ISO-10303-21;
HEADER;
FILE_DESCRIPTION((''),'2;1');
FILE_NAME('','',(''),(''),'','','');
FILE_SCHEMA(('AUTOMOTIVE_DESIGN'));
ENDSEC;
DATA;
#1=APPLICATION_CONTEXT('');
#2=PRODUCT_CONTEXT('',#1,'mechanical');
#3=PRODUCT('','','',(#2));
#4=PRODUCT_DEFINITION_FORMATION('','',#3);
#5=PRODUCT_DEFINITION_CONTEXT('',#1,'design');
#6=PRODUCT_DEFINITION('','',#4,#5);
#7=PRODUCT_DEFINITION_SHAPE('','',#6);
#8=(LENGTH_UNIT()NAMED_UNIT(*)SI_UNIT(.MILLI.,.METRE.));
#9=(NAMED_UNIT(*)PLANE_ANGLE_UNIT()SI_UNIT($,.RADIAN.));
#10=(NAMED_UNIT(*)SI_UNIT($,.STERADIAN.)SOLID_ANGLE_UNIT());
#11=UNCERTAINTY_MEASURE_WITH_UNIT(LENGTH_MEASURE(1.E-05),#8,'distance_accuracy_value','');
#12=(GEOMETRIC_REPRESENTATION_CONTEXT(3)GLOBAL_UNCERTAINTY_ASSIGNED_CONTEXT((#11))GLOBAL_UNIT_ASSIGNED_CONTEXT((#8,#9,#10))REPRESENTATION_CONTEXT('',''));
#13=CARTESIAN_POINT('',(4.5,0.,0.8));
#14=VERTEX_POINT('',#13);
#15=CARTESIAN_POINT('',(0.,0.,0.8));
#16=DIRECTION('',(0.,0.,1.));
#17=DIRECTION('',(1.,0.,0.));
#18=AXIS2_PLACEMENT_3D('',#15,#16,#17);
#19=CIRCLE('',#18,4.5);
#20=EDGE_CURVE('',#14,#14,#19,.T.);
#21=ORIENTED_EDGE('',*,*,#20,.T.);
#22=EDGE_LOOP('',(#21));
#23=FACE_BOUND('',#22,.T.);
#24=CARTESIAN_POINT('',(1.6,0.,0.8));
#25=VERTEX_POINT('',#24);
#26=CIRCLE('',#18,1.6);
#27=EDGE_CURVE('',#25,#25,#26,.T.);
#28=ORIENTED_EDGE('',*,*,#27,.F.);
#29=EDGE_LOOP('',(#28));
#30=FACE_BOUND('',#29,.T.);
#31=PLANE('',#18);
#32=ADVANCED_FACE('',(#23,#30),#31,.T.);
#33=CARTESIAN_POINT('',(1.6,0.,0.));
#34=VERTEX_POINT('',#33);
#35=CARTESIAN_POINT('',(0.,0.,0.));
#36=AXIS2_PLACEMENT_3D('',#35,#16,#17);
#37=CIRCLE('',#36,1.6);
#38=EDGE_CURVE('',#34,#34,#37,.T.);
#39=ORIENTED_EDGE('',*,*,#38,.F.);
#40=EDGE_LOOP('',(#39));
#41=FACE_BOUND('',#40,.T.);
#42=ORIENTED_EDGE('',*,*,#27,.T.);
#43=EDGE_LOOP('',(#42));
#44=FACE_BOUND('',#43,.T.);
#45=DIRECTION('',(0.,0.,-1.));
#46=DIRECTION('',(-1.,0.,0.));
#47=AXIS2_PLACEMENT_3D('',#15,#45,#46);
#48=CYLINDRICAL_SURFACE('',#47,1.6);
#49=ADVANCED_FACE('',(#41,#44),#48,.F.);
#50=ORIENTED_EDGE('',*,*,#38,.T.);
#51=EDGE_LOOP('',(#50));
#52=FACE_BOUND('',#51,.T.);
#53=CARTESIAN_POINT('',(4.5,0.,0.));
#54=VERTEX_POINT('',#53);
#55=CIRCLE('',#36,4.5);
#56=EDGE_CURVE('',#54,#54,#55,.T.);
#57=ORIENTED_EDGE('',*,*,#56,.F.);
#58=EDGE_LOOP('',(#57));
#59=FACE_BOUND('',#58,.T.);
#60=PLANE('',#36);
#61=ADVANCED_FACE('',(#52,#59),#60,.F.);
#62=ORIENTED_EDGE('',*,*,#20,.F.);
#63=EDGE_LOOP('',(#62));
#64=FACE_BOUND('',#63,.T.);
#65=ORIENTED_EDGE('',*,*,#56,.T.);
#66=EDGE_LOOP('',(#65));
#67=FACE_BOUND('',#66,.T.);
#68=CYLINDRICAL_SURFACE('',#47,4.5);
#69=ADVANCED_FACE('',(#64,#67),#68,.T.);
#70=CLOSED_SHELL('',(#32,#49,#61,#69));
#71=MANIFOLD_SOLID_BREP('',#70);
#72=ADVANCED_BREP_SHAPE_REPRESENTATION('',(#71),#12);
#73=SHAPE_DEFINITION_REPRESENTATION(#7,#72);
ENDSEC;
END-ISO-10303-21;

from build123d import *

# Parameters (mm, degrees)
SKETCH_1_R      = 4.5
SKETCH_1_R_2    = 1.6
EXTRUDE_1_DEPTH = 0.8


with BuildPart() as part:
    # 草图1 → 凸台-拉伸1 (new body)
    with BuildSketch(Plane.XY):
        Circle(SKETCH_1_R)
        Circle(SKETCH_1_R_2, mode=Mode.SUBTRACT)
    extrude(amount=EXTRUDE_1_DEPTH)


solid = part.part
